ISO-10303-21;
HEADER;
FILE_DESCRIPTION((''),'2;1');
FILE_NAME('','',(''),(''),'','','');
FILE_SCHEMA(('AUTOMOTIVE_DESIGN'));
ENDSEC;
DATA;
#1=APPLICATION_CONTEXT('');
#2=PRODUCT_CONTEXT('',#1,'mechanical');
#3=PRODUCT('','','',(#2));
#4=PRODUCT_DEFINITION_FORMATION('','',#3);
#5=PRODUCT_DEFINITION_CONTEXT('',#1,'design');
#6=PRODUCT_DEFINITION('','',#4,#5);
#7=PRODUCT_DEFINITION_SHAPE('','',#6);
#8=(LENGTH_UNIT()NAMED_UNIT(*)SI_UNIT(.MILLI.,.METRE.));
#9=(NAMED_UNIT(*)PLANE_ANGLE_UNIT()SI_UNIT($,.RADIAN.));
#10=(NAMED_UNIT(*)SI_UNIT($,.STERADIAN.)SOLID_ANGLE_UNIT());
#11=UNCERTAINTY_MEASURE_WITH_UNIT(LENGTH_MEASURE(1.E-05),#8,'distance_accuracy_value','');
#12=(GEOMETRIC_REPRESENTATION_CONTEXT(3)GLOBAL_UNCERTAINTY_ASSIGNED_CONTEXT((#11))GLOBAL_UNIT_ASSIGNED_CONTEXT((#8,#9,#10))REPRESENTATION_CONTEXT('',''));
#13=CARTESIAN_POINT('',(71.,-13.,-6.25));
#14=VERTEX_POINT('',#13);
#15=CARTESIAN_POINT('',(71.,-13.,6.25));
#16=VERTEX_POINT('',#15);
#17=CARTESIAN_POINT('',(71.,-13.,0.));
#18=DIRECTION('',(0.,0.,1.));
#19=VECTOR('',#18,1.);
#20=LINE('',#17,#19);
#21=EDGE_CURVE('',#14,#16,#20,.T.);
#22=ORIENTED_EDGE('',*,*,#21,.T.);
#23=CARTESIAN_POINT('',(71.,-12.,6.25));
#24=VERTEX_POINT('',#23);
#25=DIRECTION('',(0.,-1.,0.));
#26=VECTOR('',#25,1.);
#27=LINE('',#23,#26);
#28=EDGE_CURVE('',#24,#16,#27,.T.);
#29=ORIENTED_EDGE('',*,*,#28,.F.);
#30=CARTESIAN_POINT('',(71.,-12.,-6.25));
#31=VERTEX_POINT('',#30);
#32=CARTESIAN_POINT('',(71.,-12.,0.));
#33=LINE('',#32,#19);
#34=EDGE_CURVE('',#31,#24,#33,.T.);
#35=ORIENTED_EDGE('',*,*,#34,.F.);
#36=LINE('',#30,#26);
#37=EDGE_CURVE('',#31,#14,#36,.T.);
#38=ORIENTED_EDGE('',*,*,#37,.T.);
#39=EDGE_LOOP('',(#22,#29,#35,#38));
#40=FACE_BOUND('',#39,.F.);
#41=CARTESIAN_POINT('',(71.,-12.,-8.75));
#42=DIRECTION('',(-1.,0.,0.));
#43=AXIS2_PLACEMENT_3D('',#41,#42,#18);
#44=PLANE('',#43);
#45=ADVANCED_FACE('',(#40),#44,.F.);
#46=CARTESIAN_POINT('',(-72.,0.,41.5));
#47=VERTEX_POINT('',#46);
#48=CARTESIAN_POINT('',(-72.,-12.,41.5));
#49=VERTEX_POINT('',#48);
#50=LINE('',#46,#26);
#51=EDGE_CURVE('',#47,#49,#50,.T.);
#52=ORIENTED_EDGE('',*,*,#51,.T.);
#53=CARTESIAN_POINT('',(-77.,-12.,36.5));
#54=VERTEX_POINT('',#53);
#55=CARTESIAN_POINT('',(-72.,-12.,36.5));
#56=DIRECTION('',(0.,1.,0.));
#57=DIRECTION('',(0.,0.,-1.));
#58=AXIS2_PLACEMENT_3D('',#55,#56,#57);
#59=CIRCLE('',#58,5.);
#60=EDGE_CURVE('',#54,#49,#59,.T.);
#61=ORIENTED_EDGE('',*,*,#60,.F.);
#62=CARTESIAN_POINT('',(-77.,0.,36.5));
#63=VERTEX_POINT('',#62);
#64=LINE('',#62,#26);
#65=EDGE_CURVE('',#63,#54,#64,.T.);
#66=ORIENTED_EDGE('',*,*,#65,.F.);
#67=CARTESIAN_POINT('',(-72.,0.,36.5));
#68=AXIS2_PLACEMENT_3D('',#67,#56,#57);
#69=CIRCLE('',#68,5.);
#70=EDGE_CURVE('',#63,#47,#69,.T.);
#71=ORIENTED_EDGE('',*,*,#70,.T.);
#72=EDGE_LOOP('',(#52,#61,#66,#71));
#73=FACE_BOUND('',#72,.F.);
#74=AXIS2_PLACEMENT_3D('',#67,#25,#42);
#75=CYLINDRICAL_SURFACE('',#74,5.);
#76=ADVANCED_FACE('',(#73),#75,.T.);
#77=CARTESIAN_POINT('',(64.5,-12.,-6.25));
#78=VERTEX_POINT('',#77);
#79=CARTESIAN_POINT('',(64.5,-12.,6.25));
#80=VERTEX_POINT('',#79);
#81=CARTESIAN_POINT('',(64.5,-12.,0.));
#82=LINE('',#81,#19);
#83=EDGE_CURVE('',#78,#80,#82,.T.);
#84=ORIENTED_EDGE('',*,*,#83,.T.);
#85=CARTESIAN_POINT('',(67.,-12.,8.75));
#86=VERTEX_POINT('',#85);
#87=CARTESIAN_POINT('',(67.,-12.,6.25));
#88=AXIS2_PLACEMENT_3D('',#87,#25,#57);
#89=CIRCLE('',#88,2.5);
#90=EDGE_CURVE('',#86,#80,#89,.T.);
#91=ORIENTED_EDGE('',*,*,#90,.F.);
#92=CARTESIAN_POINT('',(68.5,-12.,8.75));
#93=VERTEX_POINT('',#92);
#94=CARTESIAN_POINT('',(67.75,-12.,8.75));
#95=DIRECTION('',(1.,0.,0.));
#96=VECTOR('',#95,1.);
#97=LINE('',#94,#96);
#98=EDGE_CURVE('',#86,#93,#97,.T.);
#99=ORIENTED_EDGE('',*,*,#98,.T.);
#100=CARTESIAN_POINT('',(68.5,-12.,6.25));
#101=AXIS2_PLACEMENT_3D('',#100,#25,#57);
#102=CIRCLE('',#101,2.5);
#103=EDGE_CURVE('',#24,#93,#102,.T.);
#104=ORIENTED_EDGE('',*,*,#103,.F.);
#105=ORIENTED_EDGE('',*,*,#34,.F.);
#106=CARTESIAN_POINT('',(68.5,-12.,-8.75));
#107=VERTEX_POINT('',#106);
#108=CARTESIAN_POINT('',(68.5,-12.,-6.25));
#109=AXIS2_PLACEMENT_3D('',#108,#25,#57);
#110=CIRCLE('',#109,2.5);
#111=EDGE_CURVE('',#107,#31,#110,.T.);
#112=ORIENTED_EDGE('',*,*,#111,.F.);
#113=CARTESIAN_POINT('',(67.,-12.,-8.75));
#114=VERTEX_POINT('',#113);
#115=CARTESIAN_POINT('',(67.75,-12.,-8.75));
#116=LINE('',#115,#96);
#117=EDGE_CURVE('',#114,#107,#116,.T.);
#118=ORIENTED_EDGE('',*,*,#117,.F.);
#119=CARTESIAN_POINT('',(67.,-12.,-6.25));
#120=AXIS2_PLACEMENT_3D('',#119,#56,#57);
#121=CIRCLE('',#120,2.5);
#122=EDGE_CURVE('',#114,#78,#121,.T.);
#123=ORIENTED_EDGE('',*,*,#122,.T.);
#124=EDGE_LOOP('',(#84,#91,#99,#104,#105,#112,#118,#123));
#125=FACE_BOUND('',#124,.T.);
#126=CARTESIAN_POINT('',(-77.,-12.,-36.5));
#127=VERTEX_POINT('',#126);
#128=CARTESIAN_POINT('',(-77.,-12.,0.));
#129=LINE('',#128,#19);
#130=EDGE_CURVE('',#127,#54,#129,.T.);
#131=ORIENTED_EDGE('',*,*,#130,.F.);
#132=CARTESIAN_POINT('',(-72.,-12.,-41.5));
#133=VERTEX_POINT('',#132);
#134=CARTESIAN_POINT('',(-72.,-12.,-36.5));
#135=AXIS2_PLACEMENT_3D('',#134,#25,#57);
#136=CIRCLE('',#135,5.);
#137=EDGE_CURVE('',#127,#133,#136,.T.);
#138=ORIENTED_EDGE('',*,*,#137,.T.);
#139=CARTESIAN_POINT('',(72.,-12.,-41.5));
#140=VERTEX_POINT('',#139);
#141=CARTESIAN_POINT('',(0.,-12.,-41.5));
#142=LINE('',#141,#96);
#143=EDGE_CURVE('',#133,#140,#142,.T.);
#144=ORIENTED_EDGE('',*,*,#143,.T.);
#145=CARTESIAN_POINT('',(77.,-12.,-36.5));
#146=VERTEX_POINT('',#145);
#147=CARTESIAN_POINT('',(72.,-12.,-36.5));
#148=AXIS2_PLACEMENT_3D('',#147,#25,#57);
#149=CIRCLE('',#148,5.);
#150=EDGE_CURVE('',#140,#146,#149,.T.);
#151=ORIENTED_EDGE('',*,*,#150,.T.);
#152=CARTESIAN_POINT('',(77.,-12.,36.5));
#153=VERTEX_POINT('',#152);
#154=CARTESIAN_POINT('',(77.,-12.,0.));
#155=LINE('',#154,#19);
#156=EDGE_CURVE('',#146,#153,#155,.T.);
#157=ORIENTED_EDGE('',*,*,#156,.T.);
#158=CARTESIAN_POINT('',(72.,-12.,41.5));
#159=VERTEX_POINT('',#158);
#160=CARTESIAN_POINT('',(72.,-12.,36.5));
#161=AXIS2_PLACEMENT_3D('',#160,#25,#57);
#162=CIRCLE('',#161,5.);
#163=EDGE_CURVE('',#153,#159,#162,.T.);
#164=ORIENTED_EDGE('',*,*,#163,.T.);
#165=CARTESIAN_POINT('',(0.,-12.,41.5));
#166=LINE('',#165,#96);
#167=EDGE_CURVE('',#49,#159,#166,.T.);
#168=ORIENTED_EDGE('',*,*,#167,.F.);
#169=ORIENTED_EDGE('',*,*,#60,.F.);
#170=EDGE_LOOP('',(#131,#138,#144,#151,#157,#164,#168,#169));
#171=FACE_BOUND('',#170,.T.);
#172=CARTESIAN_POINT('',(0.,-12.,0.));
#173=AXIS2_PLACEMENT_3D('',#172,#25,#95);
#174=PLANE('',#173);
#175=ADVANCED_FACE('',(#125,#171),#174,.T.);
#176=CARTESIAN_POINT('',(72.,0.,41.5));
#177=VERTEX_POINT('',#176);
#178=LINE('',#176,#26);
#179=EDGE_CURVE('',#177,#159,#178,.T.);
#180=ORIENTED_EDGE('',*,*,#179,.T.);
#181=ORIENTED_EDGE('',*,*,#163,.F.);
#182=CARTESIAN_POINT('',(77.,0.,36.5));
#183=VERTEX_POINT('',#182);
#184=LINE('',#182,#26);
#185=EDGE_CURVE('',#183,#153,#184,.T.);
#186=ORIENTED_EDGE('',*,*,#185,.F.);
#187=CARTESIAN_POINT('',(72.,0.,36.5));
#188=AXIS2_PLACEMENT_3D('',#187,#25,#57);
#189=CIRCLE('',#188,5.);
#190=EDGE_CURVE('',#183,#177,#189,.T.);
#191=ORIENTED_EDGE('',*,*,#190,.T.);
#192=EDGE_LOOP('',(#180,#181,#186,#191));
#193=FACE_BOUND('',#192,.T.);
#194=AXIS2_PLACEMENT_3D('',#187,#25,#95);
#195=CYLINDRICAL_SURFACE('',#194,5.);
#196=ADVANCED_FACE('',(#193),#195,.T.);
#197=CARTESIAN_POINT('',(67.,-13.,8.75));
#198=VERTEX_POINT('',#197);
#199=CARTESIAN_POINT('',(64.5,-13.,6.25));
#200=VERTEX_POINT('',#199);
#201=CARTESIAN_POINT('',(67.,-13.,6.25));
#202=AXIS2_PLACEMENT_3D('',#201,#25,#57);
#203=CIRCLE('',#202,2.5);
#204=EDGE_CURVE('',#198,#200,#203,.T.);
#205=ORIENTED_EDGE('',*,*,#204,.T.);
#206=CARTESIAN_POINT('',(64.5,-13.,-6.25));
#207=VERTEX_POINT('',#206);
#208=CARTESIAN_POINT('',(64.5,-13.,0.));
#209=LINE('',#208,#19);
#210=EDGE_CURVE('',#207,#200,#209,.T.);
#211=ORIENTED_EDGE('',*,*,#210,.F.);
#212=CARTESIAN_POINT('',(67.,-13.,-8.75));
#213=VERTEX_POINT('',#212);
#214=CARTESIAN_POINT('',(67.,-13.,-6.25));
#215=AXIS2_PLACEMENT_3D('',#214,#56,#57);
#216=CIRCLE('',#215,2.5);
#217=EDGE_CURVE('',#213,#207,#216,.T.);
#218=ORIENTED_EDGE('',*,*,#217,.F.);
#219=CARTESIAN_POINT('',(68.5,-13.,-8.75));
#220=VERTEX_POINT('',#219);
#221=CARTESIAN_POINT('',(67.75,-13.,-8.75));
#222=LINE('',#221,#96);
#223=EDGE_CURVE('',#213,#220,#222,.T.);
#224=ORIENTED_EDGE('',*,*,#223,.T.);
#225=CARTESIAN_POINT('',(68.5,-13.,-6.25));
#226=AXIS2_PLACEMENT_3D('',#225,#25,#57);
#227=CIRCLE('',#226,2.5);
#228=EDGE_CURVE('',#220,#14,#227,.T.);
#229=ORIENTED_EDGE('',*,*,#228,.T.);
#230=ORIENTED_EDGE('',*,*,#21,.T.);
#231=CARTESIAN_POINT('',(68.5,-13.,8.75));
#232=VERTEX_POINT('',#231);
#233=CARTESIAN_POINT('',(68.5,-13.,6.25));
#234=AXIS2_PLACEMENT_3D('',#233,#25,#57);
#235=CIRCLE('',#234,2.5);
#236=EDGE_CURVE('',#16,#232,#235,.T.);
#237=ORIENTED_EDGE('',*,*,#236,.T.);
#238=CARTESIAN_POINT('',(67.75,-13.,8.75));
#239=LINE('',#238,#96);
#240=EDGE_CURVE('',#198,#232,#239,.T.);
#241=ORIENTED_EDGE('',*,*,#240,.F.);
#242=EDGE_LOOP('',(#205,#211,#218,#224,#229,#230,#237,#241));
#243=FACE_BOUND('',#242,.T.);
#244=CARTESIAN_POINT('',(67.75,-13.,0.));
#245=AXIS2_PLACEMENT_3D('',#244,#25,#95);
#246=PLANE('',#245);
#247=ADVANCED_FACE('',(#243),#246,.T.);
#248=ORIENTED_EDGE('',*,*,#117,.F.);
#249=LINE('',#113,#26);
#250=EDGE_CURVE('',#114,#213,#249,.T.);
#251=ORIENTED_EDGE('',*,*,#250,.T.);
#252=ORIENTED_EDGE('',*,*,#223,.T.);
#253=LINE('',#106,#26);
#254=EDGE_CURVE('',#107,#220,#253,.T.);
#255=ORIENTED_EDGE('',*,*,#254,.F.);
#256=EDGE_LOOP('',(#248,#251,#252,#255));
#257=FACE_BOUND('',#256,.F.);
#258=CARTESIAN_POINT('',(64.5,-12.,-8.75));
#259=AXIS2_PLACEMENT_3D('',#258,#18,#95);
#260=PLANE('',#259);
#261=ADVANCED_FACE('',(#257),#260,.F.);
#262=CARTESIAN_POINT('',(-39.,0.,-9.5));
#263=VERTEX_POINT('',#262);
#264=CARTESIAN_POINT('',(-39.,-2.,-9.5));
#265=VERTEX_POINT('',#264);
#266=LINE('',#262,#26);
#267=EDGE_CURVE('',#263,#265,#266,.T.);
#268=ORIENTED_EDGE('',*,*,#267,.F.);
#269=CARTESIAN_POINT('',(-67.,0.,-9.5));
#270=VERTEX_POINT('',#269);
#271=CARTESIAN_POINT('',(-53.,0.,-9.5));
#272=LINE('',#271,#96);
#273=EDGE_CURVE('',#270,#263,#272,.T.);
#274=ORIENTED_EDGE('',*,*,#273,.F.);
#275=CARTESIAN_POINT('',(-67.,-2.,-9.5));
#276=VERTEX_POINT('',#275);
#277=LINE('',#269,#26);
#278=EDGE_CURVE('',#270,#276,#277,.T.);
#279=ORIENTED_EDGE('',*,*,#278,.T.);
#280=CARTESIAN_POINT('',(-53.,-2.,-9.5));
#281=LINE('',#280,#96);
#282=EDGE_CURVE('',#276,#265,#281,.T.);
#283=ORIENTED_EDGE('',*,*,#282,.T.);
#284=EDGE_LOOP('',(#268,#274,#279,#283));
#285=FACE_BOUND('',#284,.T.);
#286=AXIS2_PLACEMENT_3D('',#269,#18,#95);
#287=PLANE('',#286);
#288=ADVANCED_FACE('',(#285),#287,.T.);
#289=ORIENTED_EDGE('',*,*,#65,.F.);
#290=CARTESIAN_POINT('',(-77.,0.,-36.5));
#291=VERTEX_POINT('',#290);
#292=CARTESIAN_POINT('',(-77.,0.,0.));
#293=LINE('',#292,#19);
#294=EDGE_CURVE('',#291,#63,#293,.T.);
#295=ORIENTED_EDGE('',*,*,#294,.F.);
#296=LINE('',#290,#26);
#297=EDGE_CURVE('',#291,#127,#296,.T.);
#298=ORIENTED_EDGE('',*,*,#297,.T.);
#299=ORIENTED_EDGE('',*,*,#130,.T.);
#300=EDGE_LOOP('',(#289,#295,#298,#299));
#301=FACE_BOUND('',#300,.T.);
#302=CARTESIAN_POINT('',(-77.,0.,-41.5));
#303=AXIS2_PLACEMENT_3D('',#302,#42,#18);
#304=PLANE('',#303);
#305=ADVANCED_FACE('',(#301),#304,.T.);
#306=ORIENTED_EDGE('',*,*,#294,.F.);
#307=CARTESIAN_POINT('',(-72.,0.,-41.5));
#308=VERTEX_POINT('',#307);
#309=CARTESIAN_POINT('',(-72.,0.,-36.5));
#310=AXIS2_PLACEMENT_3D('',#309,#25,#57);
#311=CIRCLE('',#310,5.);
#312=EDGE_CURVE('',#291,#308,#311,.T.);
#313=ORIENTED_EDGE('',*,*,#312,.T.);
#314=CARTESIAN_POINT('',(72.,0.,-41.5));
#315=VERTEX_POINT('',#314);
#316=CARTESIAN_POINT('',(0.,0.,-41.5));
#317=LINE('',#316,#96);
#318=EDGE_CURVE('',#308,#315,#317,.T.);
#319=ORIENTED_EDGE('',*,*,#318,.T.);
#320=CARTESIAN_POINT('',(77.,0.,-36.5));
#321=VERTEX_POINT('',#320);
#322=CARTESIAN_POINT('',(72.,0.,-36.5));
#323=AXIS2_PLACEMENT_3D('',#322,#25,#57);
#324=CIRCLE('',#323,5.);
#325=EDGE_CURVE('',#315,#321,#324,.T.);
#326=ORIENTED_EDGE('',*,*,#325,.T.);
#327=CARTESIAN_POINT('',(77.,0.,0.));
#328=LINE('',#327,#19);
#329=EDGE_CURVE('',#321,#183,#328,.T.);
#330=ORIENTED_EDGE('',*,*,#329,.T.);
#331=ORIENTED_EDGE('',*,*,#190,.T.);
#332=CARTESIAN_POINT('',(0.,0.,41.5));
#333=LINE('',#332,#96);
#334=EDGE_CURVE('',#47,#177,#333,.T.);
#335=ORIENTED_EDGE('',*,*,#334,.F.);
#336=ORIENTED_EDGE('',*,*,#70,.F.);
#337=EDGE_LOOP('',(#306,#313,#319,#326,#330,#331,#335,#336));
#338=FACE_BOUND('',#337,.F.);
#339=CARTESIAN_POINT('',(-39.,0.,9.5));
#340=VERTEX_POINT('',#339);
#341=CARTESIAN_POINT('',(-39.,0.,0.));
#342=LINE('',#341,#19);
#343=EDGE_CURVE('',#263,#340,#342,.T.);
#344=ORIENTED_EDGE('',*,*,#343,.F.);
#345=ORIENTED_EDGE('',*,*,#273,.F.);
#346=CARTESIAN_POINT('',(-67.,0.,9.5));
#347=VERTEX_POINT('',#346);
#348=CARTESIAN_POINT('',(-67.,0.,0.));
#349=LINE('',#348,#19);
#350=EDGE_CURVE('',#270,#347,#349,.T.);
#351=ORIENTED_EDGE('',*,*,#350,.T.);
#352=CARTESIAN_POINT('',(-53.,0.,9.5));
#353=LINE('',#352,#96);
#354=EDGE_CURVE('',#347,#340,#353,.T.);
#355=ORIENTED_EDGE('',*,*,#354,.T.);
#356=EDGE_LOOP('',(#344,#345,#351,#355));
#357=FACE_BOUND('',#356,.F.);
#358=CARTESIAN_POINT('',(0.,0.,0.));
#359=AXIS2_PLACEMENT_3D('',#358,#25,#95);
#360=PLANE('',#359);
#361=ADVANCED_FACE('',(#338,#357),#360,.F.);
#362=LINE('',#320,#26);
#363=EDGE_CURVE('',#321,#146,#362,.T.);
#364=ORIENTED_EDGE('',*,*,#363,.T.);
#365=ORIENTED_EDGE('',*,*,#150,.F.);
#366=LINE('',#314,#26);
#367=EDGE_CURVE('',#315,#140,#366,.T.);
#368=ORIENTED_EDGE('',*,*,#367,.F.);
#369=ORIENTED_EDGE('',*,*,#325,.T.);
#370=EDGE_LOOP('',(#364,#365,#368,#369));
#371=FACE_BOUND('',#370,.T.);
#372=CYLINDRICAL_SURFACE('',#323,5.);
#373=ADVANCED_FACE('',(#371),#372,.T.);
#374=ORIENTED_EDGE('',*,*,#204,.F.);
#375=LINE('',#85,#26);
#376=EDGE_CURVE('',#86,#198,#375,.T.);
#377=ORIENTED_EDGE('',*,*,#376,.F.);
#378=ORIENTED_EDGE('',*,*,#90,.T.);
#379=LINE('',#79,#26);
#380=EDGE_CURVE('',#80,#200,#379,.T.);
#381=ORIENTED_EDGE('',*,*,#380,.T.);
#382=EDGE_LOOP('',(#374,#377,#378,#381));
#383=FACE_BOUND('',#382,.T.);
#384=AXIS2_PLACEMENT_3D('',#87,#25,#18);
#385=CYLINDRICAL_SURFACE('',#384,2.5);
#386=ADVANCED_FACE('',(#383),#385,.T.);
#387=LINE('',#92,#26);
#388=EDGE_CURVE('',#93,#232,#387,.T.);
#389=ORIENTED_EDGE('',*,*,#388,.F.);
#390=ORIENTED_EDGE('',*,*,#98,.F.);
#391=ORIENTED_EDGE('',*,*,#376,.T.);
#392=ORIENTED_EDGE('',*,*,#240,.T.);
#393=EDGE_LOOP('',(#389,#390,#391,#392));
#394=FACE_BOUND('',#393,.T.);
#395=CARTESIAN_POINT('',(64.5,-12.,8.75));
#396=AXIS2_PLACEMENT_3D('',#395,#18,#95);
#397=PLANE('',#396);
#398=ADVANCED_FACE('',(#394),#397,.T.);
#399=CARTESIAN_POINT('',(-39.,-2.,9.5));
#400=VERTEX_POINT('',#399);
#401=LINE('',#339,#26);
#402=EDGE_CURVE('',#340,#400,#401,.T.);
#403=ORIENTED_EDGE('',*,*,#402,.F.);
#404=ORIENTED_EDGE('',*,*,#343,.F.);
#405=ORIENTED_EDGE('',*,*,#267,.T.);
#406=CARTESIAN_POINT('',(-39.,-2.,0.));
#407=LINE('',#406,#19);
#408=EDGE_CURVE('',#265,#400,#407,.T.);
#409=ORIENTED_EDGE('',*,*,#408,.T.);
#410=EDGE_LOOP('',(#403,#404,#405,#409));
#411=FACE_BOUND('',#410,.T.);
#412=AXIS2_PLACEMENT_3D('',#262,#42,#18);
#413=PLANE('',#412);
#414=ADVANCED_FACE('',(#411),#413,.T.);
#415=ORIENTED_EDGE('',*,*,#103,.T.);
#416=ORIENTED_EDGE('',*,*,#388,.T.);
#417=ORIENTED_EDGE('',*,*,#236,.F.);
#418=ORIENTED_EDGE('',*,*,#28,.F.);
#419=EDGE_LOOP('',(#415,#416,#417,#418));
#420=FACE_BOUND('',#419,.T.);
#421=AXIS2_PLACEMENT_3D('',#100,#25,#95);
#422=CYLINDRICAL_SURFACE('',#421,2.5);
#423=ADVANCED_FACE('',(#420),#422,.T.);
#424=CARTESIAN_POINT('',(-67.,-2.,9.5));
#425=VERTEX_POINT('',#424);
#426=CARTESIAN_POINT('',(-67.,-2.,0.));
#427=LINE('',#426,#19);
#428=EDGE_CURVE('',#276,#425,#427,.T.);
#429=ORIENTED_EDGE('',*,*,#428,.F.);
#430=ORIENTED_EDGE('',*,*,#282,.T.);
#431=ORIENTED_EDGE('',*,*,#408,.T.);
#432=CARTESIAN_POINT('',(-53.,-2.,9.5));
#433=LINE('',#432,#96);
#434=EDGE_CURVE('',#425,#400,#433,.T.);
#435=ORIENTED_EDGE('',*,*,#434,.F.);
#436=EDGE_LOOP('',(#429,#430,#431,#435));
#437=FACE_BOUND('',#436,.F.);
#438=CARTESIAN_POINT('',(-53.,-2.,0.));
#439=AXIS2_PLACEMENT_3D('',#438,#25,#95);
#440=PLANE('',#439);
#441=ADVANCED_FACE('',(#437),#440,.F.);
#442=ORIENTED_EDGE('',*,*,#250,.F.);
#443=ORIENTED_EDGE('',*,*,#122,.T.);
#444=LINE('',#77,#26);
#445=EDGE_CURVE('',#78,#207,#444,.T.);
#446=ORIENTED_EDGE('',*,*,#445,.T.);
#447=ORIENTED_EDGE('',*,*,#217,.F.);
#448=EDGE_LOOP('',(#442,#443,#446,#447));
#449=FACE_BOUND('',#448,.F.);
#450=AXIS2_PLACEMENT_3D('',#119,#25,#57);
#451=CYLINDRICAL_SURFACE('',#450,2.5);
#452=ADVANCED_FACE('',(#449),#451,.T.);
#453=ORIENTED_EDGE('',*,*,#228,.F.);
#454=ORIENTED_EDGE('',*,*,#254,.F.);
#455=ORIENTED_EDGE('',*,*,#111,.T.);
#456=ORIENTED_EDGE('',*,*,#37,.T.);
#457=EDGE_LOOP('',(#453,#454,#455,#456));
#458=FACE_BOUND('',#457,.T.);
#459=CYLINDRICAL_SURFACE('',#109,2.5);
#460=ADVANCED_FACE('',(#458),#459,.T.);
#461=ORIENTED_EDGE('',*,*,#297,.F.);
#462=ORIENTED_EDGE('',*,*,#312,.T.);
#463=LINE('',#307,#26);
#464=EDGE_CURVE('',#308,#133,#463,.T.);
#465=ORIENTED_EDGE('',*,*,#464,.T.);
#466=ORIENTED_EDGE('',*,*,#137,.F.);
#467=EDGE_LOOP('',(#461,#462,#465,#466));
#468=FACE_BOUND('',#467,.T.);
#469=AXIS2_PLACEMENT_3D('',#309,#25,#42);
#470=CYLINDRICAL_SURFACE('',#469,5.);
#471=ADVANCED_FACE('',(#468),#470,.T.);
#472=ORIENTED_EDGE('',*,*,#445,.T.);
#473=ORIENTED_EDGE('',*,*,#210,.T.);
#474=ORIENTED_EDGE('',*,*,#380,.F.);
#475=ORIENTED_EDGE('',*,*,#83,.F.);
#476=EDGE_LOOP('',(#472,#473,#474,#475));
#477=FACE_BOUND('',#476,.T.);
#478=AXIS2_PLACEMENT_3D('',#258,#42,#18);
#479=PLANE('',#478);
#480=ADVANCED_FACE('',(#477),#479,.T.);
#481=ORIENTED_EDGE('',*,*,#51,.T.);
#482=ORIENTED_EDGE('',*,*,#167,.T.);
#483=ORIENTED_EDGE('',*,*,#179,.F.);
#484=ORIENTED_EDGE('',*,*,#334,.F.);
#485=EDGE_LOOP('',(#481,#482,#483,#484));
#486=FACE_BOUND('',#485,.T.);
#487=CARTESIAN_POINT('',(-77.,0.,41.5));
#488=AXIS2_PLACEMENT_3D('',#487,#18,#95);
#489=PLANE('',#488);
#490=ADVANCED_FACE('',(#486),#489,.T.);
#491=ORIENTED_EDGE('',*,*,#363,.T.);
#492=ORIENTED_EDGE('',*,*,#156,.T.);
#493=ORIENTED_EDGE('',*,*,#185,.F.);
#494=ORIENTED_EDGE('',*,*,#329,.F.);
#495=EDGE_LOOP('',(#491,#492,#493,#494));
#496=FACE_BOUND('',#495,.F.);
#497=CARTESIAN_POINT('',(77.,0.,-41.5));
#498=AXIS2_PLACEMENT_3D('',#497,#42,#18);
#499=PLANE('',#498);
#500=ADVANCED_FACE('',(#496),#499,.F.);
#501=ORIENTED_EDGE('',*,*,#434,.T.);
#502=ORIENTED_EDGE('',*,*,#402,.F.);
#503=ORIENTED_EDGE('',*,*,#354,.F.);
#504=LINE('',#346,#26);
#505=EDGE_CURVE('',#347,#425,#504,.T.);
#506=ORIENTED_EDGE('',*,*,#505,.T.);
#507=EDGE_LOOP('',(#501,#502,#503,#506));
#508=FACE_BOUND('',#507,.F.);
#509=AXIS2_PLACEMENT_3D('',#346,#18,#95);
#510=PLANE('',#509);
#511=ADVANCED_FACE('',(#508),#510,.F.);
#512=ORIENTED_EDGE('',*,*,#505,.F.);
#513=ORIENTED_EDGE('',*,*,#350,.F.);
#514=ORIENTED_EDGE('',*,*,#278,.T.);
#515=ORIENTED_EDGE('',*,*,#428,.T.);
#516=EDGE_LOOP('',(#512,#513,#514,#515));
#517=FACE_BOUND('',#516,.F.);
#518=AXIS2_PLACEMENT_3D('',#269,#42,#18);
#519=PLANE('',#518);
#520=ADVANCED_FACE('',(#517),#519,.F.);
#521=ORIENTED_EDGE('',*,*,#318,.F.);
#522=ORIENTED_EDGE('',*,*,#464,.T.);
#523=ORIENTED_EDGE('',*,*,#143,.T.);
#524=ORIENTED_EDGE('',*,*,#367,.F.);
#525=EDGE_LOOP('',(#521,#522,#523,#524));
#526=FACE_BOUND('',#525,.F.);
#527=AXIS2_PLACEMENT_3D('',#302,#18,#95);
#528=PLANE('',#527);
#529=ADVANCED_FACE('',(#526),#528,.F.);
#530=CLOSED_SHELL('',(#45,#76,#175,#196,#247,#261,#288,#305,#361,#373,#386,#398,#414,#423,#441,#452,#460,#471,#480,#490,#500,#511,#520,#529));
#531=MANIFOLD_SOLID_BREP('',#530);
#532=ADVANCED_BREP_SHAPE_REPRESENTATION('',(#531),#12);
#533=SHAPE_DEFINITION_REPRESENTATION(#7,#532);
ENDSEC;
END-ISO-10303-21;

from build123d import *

# Parameters (mm, degrees)
F0_W     = 154
F0_H     = 83
F1_DEPTH = 12
F2_R     = 5
F3_W     = 6.5
F3_H     = 17.5
F4_DEPTH = 1
F5_R     = 2.5
F6_W     = 28
F6_H     = 19
F7_DEPTH = 2


with BuildPart() as f1:
    # F0 (on Front) → F1 (new body)
    with BuildSketch(Plane.XZ):
        Rectangle(F0_W, F0_H)
    extrude(amount=F1_DEPTH)

    # F2
    f2_edges = [f1.edges().sort_by_distance(p)[0] for p in [
        (-77, -6, 41.5),
        (77, -6, 41.5),
        (77, -6, -41.5),
        (-77, -6, -41.5),
    ]]
    fillet(f2_edges, radius=F2_R)

    # F3 (on face) → F4 (join)
    with BuildSketch(Plane.XZ.offset(12)):
        with Locations((67.75, 0)):
            Rectangle(F3_W, F3_H)
    extrude(amount=F4_DEPTH)

    # F5
    f5_edges = [f1.edges().sort_by_distance(p)[0] for p in [
        (71, -12.5, -8.75),
        (71, -12.5, 8.75),
        (64.5, -12.5, 8.75),
        (64.5, -12.5, -8.75),
    ]]
    fillet(f5_edges, radius=F5_R)

    # F6 (on Front) → F7 (cut)
    with BuildSketch(Plane.XZ):
        with Locations((-53, 0)):
            Rectangle(F6_W, F6_H)
    extrude(amount=F7_DEPTH, mode=Mode.SUBTRACT)


solid = f1.part
